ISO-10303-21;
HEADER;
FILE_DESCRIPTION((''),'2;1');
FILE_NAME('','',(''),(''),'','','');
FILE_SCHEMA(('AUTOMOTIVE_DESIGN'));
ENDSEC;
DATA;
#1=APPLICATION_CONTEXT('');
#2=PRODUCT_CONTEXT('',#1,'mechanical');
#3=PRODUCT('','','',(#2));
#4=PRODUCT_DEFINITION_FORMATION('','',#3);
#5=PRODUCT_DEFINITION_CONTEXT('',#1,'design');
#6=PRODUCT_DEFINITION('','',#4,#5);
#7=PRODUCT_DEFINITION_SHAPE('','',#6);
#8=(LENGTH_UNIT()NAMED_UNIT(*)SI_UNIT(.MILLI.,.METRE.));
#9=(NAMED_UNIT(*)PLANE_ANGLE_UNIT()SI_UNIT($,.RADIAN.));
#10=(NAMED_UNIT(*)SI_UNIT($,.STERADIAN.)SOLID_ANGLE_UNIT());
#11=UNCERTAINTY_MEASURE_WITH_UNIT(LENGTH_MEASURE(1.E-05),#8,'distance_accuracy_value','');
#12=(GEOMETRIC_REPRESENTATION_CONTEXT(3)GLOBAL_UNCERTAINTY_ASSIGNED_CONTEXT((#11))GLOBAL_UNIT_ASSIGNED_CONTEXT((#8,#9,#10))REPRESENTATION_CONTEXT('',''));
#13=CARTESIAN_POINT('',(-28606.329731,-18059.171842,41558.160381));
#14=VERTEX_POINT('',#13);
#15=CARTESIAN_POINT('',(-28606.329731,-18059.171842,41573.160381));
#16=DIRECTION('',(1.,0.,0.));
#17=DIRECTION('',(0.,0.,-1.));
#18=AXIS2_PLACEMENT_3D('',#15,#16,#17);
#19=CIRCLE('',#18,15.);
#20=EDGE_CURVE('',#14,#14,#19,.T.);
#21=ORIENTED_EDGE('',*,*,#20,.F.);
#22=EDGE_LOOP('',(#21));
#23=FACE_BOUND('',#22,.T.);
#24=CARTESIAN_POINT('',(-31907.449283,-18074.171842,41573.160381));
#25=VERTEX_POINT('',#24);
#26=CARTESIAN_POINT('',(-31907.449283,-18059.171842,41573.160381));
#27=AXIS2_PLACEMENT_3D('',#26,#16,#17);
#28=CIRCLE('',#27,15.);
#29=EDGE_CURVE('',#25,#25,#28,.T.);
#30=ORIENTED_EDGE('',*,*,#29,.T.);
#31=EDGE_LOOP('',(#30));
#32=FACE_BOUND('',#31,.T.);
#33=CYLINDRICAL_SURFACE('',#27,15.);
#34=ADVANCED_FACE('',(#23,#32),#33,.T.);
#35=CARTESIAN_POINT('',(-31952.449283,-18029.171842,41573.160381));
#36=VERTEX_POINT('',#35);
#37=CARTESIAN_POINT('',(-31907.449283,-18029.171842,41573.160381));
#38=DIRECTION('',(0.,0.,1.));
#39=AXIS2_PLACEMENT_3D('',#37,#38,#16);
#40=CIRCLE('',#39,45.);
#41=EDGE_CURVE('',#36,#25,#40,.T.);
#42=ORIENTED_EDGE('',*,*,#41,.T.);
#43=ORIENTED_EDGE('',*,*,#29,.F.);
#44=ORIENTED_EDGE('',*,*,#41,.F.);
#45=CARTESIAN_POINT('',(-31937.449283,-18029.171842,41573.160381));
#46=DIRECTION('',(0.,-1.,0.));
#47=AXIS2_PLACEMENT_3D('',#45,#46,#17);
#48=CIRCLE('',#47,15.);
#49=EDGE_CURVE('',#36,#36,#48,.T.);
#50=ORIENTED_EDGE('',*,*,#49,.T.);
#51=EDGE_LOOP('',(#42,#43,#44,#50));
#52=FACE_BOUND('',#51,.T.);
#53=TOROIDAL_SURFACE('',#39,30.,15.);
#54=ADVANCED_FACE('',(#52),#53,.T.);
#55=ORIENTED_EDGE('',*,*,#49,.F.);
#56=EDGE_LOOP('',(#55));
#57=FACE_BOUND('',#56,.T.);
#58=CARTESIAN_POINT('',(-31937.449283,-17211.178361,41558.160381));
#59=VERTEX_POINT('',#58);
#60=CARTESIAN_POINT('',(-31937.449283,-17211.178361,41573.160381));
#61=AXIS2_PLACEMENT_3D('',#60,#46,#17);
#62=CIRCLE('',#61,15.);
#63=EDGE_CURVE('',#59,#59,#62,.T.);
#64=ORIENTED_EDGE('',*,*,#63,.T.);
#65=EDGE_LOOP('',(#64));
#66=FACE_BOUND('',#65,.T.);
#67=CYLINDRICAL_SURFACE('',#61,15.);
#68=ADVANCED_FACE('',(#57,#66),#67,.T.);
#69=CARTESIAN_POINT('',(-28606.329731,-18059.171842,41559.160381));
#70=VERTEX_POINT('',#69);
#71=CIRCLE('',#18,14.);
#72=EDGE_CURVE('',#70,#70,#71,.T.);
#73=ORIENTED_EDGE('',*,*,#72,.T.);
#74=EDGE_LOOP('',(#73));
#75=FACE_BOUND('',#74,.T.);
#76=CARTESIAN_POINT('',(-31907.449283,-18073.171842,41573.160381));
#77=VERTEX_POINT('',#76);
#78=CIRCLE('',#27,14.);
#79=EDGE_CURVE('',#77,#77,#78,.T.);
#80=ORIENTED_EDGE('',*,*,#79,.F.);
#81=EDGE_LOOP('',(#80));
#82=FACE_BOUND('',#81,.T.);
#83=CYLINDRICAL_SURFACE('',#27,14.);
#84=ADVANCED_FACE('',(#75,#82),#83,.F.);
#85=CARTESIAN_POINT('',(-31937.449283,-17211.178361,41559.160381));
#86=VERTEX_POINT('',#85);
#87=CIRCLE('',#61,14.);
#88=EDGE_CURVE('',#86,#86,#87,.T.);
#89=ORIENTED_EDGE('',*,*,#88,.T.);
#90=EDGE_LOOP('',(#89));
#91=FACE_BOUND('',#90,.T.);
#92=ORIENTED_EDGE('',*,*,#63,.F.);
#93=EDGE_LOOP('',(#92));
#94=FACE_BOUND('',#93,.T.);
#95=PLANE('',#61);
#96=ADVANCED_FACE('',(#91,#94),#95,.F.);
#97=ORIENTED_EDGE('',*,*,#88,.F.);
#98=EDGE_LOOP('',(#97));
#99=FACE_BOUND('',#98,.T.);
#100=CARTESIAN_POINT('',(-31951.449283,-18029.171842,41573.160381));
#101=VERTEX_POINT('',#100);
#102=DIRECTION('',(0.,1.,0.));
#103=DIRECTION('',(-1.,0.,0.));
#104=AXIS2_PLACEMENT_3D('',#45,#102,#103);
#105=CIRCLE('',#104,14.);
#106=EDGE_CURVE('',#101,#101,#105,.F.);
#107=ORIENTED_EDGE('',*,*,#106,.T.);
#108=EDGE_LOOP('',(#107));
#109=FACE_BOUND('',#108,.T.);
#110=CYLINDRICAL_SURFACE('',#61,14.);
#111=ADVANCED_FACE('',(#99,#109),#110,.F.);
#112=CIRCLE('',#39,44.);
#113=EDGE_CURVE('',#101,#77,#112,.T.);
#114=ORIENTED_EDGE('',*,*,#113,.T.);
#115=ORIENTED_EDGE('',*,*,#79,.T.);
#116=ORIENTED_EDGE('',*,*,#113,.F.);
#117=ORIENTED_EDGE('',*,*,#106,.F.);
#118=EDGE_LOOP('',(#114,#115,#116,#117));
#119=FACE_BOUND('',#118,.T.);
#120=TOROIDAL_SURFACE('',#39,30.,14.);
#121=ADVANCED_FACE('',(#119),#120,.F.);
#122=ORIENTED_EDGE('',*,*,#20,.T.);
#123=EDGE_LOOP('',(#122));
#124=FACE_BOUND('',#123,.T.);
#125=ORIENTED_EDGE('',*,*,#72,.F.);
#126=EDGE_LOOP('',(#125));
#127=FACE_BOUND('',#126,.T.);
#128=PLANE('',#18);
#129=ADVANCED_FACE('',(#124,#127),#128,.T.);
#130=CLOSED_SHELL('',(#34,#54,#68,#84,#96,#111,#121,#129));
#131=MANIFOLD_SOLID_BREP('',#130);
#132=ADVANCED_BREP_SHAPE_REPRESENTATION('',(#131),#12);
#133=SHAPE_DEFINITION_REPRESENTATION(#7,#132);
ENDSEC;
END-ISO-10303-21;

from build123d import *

# Parameters (mm, degrees)
SWEEP_THIN1_PROFILE_R   = 15
SWEEP_THIN1_PROFILE_R_2 = 14


with BuildPart() as part:
    # Sweep-Thin1: sweep along a curve in space
    with BuildLine() as sweep_thin1_path:
        Line((-31937.449283249, -17211.178360788, 41573.160381203), (-31937.449283249, -18029.171841759, 41573.160381203))
        ThreePointArc((-31907.449283249, -18059.171841759, 41573.160381203), (-31928.662486685, -18050.385045195, 41573.160381203), (-31937.449283249, -18029.171841759, 41573.160381203))
        Line((-31907.449283249, -18059.171841759, 41573.160381203), (-28606.329730851, -18059.171841759, 41573.160381203))
    # Sweep-Thin1 profile (on start of the path) → Sweep-Thin1 (sweep)
    with BuildSketch(Plane(origin=(-31937.449283249, -17211.178360788, 41573.160381203), x_dir=(0, 0, -1), z_dir=(0, -1, 0))):
        Circle(SWEEP_THIN1_PROFILE_R)
        Circle(SWEEP_THIN1_PROFILE_R_2, mode=Mode.SUBTRACT)
    sweep(path=sweep_thin1_path.line)


solid = part.part
